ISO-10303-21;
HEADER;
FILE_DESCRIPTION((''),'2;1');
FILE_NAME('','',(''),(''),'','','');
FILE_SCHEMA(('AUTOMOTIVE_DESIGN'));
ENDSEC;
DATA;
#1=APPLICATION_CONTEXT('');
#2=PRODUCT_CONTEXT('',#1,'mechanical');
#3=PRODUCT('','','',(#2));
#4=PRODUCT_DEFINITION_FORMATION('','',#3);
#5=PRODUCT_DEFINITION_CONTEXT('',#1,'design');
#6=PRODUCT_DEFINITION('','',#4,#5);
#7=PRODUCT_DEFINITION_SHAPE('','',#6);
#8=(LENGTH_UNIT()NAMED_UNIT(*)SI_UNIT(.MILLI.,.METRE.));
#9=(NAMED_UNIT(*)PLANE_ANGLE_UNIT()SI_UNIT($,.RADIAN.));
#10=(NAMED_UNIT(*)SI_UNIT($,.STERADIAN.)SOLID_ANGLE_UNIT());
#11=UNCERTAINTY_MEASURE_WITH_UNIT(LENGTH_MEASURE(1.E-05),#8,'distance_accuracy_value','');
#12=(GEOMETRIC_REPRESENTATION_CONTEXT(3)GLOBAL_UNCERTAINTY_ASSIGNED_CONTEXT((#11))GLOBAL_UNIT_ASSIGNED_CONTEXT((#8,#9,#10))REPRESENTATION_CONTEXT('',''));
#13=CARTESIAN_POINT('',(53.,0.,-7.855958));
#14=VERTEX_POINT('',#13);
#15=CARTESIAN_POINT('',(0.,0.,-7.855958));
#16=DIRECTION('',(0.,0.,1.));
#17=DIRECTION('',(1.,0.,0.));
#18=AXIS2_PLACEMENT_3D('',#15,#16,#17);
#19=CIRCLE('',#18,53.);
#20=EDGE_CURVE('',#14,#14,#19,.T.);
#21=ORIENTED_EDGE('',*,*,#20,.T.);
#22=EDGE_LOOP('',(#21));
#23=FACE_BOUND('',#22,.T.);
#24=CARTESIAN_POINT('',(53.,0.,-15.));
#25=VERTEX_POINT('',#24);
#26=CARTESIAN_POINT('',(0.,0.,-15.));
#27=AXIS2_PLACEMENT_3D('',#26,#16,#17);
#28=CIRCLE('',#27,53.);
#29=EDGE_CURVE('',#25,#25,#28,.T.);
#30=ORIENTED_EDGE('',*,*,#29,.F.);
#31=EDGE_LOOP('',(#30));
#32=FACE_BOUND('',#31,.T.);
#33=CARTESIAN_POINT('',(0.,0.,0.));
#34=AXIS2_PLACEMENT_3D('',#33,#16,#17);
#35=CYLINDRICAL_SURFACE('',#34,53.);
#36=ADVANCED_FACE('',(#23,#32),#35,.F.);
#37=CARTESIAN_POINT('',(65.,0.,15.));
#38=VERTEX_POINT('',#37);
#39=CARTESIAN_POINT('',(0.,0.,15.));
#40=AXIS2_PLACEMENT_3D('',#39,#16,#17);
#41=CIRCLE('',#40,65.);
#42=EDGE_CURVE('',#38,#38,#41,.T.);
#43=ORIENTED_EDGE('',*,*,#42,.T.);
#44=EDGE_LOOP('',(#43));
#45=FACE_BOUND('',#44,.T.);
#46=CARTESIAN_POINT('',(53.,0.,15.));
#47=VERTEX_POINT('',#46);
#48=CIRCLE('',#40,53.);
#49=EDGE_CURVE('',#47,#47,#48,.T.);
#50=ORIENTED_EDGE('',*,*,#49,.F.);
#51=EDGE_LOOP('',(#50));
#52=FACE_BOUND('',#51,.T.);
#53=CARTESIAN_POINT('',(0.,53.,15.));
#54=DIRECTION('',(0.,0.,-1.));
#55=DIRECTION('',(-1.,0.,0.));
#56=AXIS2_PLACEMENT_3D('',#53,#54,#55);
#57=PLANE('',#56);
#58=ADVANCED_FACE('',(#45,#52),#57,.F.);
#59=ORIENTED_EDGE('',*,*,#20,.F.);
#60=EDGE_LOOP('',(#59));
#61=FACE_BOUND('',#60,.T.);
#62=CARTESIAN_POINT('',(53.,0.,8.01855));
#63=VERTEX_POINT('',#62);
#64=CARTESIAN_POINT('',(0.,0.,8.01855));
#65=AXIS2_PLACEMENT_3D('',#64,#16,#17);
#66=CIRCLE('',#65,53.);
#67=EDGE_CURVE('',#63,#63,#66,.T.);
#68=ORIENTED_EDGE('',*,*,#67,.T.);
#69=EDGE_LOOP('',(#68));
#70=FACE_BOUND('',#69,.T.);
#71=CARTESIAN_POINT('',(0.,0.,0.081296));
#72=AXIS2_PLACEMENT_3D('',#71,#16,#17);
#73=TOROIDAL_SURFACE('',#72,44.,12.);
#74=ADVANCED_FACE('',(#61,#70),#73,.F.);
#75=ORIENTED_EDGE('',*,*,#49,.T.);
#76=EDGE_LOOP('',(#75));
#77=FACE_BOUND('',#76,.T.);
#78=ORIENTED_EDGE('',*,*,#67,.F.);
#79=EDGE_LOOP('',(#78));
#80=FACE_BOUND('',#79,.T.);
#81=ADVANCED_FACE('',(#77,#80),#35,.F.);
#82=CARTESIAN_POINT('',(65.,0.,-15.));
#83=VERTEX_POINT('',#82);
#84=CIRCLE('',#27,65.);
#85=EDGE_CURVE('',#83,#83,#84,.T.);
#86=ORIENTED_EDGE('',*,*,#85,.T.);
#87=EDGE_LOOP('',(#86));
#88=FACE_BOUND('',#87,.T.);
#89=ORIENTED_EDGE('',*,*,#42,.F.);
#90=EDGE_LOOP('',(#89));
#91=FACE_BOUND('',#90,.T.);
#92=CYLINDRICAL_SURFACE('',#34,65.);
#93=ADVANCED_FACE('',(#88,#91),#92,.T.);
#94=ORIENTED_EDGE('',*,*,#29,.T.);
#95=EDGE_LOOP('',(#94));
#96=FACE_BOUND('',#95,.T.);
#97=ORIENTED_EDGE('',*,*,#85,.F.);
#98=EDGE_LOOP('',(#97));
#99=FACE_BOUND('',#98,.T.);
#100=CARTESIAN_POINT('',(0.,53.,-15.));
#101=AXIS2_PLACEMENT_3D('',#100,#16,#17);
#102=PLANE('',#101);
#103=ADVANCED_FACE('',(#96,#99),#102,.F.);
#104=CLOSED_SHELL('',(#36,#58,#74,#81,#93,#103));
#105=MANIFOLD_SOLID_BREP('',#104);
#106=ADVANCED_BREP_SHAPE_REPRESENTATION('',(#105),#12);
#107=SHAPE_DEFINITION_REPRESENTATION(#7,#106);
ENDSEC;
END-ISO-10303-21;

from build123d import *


with BuildPart() as part:
    # Sketch1 → Revolve6 (revolve)
    with BuildSketch(Plane(origin=(0, 0, 0), x_dir=(0, 0, -1), z_dir=(1, 0, 0)), mode=Mode.PRIVATE) as revolve6_sk:
        with BuildLine():
            Line((15, 53), (15, 65))
            Line((15, 65), (-15, 65))
            Line((-15, 65), (-15, 53))
            Line((-15, 53), (-8.018550142, 53))
            ThreePointArc((-8.018550142, 53), (-0.081296209, 56), (7.855957724, 53))
            Line((7.855957724, 53), (15, 53))
        make_face()
    revolve(revolve6_sk.sketch.rotate(Axis((0, 0, 0), (0, 0, -1)), 90), axis=Axis((0, 0, 0), (0, 0, -1)))


solid = part.part
